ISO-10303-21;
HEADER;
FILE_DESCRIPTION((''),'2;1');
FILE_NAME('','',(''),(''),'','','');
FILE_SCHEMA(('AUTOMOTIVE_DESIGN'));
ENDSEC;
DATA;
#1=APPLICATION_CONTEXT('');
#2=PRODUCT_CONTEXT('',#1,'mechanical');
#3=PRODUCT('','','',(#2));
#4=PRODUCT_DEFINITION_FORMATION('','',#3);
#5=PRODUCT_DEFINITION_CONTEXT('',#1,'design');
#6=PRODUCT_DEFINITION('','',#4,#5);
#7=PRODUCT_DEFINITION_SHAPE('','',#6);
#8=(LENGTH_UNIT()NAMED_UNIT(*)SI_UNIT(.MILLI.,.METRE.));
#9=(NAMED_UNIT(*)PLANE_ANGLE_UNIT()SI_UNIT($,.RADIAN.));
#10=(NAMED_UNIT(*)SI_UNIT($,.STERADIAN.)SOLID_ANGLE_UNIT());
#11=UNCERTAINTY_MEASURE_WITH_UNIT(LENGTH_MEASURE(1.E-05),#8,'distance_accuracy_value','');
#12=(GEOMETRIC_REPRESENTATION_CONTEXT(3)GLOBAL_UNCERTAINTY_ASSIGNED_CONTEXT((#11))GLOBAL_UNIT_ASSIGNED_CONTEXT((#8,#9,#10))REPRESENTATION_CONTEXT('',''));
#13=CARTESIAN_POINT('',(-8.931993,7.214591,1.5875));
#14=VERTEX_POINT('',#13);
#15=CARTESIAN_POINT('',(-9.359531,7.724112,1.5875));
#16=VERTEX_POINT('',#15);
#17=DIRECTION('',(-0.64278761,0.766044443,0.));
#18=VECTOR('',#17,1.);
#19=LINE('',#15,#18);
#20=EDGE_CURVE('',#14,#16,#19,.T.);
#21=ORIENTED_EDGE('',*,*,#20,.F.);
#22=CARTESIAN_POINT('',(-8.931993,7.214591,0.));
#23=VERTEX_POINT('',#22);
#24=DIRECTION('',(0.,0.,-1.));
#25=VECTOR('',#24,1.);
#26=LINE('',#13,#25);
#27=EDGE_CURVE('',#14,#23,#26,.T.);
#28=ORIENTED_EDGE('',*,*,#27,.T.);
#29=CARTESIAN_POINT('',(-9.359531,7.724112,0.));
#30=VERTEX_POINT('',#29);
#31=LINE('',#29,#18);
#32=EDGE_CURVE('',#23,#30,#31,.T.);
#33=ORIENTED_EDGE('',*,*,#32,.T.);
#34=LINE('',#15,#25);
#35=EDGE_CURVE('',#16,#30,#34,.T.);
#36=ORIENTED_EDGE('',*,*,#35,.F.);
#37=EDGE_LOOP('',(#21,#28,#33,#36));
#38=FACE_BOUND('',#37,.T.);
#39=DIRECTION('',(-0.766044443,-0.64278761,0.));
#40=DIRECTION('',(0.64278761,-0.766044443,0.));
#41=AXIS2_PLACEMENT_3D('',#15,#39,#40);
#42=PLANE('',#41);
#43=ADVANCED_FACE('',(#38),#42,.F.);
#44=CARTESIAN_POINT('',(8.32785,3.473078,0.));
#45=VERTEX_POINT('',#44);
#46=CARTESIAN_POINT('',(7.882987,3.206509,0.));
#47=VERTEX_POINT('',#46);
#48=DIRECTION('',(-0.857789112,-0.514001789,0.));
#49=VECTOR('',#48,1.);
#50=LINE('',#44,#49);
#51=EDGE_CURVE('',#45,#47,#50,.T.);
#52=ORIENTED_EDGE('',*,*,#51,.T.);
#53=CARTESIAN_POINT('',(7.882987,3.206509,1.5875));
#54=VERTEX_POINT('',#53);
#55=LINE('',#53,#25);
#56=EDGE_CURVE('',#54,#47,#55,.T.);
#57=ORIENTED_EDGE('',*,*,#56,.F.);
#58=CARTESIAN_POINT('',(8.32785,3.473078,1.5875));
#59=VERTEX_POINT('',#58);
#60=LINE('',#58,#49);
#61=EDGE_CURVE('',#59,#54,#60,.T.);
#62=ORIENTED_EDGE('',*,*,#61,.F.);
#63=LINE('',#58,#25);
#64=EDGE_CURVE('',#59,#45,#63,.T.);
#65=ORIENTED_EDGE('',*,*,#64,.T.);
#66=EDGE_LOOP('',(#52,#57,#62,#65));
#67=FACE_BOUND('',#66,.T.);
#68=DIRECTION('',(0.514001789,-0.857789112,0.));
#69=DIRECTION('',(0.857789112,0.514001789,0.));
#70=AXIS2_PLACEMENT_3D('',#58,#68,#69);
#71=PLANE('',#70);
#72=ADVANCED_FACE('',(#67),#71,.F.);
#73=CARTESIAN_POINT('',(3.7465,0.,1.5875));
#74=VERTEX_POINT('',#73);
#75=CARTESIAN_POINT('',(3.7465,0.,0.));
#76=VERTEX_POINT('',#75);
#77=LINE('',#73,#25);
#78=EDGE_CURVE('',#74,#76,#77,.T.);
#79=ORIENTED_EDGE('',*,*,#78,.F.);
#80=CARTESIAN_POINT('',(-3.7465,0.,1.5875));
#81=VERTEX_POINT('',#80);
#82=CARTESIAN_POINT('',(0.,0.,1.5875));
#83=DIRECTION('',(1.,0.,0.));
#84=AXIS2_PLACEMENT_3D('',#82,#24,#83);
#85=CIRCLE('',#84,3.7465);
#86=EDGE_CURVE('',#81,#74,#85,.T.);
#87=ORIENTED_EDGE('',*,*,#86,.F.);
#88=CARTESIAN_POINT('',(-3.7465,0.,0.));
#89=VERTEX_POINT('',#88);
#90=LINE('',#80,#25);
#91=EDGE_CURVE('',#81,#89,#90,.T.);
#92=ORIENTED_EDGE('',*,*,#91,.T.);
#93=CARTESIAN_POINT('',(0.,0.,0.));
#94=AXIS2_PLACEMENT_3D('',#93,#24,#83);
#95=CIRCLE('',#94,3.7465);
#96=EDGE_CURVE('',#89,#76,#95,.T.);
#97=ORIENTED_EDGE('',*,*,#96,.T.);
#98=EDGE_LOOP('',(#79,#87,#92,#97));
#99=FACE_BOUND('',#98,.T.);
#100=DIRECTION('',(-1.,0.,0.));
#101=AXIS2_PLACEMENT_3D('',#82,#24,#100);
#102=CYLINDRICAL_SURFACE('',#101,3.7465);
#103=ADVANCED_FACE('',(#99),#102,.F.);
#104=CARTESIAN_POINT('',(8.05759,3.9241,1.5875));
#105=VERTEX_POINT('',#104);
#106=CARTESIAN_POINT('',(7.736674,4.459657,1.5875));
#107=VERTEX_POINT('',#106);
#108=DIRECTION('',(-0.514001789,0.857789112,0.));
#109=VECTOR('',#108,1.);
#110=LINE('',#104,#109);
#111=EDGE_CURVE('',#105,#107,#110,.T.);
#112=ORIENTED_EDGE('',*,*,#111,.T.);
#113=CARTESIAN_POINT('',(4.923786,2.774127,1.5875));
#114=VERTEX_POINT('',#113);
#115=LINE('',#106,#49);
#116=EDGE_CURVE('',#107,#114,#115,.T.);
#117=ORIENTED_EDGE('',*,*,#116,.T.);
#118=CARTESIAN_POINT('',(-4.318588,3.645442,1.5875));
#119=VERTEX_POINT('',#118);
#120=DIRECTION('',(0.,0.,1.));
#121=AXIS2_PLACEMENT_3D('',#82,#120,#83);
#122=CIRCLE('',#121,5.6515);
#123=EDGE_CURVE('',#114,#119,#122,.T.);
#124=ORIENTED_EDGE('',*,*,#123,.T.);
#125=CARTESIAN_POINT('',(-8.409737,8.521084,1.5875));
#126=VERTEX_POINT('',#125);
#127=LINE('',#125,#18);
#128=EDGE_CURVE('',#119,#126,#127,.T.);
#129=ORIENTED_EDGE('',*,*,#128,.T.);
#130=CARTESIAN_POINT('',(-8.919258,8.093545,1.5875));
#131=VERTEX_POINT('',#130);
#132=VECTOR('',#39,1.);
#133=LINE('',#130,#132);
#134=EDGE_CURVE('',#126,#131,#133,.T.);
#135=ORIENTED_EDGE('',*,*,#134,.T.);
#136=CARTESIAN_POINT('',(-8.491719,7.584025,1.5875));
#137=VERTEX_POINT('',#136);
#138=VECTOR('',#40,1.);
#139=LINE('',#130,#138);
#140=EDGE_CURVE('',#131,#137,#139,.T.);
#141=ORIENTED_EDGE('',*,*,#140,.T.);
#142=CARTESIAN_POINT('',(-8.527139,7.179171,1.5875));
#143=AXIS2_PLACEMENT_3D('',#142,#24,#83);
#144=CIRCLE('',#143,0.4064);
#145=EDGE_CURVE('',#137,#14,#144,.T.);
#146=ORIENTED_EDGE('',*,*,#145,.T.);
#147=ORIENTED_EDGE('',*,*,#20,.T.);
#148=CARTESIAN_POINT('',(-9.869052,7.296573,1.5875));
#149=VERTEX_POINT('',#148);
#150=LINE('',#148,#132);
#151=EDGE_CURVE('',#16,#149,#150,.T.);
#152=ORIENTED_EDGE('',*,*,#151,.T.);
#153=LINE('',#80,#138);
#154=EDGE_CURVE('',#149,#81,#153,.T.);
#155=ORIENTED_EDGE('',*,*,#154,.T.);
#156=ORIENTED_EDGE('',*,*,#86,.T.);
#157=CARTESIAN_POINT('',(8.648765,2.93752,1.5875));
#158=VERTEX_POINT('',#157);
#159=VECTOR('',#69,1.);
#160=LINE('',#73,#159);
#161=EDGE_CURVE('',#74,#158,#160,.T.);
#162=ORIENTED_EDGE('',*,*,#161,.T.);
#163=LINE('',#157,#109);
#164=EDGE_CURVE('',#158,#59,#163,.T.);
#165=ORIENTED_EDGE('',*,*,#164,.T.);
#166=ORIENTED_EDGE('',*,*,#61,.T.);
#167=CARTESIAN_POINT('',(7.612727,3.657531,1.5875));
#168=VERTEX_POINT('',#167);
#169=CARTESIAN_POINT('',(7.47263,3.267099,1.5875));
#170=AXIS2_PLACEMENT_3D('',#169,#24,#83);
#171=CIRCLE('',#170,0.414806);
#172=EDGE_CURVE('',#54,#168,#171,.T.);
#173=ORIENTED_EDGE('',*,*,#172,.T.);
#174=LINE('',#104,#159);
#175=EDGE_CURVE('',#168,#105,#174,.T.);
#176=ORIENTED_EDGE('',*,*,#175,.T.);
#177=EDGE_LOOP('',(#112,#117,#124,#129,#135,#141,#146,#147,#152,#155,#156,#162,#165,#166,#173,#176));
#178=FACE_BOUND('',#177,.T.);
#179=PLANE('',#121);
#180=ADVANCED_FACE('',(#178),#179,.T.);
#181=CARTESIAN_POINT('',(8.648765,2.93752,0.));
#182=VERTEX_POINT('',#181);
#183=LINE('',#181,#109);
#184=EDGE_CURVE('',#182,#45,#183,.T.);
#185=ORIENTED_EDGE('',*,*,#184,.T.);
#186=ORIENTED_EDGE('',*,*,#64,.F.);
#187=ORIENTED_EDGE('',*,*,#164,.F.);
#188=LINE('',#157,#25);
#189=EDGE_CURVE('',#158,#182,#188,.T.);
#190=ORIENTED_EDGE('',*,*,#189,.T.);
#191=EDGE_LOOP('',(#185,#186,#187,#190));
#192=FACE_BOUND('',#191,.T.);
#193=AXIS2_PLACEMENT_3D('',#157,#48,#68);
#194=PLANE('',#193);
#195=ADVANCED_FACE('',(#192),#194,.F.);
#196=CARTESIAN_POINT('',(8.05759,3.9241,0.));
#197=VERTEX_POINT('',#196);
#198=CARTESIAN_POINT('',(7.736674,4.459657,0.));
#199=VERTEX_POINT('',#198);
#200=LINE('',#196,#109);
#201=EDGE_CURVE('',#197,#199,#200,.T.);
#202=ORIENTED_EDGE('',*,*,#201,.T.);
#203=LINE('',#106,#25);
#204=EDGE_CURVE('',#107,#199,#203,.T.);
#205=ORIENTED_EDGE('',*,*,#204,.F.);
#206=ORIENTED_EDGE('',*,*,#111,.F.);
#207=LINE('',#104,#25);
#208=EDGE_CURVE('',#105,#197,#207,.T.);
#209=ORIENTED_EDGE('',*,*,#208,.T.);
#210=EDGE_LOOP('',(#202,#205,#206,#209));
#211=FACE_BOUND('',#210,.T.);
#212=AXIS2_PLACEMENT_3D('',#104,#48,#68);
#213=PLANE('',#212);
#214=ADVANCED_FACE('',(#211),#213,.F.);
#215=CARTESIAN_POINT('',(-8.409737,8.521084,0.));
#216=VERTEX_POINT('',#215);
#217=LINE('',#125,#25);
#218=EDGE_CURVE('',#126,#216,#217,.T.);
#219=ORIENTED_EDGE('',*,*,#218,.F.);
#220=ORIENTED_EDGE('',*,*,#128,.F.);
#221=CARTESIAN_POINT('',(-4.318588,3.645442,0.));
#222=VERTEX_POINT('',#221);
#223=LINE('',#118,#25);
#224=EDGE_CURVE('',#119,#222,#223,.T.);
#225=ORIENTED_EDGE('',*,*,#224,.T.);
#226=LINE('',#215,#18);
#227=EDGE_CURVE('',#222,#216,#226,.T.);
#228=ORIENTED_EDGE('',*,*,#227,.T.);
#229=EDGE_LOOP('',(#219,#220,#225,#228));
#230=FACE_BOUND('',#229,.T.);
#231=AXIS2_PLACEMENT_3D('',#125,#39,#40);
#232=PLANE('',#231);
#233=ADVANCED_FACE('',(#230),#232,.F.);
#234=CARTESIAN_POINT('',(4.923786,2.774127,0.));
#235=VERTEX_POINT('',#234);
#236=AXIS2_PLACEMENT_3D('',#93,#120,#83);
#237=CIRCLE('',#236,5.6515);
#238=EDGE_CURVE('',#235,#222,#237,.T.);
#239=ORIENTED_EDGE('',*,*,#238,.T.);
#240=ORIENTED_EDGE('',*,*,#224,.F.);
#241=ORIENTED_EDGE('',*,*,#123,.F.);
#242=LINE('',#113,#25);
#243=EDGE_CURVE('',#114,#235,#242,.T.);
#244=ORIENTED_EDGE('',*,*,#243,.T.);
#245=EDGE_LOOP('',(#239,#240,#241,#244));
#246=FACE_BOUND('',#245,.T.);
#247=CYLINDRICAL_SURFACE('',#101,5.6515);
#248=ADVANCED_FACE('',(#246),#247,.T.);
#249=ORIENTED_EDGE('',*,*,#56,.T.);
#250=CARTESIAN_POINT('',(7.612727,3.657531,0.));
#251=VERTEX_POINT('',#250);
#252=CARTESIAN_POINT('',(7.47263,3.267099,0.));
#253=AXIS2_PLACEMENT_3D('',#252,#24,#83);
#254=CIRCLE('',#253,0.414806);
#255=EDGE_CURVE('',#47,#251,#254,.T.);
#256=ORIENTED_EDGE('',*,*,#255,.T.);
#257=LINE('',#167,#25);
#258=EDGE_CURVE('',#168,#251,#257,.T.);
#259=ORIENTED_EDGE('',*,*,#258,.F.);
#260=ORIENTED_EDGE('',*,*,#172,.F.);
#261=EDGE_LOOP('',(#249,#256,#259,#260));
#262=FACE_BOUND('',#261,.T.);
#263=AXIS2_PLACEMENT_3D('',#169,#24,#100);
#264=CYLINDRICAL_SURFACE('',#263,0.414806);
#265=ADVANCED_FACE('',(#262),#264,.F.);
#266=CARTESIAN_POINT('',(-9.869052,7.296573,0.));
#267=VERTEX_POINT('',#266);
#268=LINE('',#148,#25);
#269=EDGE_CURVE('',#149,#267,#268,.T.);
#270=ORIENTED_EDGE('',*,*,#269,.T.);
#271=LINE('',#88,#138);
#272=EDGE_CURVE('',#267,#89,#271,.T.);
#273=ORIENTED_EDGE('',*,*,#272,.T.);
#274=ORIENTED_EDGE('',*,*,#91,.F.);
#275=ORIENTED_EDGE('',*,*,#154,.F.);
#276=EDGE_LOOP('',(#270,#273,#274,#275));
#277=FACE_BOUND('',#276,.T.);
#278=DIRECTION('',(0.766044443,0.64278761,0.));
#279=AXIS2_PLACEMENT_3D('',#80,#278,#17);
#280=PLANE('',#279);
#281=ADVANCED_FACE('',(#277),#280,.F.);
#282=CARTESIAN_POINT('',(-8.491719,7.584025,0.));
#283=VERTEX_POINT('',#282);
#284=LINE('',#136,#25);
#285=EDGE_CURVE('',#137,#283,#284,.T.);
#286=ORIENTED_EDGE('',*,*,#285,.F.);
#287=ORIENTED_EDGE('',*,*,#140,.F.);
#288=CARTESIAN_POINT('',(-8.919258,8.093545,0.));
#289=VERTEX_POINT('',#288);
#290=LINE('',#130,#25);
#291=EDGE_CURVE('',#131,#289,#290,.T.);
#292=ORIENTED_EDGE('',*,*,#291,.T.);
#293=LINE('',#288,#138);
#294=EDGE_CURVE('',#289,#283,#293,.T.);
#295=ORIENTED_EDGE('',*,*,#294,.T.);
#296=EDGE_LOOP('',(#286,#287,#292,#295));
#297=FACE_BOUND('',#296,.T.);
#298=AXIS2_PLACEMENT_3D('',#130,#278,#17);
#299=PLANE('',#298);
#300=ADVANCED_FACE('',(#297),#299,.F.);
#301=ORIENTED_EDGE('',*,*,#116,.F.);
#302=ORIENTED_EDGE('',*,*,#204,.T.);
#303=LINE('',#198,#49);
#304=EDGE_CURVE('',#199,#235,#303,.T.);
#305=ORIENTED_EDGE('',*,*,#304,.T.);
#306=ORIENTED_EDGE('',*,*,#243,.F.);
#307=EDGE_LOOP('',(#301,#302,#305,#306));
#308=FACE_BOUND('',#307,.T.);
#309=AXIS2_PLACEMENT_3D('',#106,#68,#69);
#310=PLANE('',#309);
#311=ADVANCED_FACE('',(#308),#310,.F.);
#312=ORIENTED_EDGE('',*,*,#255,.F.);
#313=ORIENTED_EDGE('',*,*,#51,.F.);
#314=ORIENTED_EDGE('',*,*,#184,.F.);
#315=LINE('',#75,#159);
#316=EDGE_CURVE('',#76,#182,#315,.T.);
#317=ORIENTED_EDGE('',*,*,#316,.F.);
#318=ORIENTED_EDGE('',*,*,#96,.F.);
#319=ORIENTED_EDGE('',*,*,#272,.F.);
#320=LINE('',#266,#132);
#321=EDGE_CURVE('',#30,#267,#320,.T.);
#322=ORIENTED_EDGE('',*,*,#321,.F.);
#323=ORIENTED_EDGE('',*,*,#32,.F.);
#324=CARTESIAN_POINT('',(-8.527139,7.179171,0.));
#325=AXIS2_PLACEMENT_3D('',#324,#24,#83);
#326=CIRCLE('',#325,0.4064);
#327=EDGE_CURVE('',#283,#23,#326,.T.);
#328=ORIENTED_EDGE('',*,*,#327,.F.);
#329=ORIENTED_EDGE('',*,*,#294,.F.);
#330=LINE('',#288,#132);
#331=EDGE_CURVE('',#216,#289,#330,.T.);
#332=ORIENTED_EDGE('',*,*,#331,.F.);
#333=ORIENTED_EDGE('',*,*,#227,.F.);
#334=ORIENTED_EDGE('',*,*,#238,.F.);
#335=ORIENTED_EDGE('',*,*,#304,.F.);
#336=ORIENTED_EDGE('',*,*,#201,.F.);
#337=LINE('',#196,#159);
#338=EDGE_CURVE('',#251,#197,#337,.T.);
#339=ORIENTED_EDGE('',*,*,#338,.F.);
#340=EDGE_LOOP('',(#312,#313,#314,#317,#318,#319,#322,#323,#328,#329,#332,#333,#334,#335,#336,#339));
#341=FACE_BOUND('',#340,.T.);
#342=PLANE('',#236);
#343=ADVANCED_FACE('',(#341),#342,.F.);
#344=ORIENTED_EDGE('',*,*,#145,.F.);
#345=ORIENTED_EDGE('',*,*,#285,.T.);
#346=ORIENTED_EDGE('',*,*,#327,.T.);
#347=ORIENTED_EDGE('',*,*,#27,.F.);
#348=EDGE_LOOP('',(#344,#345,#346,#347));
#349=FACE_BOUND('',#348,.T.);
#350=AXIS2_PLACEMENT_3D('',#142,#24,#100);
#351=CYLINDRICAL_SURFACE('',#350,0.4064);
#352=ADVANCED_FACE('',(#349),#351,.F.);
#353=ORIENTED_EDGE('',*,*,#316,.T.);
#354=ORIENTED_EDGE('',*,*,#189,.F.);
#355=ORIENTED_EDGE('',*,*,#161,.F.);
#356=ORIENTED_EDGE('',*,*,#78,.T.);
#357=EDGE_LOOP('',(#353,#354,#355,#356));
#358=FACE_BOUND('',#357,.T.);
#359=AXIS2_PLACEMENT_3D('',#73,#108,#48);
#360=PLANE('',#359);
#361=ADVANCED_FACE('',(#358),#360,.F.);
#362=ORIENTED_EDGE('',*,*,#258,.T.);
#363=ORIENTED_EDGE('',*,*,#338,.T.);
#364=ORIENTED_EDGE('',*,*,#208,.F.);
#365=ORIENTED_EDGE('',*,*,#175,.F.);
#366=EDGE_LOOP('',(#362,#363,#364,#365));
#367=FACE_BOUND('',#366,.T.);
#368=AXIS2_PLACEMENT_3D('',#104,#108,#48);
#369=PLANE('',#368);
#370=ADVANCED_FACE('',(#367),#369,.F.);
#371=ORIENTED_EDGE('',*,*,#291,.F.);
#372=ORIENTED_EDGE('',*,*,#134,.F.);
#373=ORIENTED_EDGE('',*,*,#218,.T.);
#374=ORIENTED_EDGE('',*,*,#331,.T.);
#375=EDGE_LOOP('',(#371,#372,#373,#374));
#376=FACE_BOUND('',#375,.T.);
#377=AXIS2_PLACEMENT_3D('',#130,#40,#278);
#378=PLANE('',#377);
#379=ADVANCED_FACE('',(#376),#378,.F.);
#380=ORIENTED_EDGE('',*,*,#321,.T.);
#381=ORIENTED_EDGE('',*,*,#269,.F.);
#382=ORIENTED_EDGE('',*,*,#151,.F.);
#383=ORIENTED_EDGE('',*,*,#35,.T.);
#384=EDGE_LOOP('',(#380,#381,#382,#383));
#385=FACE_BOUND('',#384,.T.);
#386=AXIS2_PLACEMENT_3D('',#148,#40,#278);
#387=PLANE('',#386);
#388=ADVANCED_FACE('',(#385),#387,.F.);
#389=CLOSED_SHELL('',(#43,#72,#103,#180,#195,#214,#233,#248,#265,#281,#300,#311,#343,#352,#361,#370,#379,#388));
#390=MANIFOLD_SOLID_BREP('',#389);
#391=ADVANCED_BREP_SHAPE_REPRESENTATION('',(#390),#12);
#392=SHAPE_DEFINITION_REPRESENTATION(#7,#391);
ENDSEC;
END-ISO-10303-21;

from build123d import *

# Parameters (mm, degrees)
BOSS_EXTRUDE1_DEPTH = 1.5875


with BuildPart() as part:
    # Sketch2 → Boss-Extrude1 (new body)
    with BuildSketch(Plane.XY):
        with BuildLine():
            Line((-3.7465, 0), (-9.869051982, 7.296573321))
            Line((-9.869051982, 7.296573321), (-9.35953146, 7.724111803))
            Line((-9.35953146, 7.724111803), (-8.931992977, 7.214591281))
            ThreePointArc((-8.931992977, 7.214591281), (-8.265910567, 6.867850725), (-8.491719358, 7.584024712))
            Line((-8.491719358, 7.584024712), (-8.919257841, 8.093545235))
            Line((-8.919257841, 8.093545235), (-8.409737318, 8.521083717))
            Line((-8.409737318, 8.521083717), (-4.318588224, 3.645442086))
            ThreePointArc((-4.318588224, 3.645442086), (0.530437252, 5.626552103), (4.923786313, 2.774126996))
            Line((4.923786313, 2.774126996), (7.736674427, 4.459657279))
            Line((7.736674427, 4.459657279), (8.057589571, 3.924099773))
            Line((8.057589571, 3.924099773), (7.612727117, 3.657530643))
            ThreePointArc((7.612727117, 3.657530643), (7.116813389, 3.053887496), (7.882987176, 3.206508602))
            Line((7.882987176, 3.206508602), (8.32784963, 3.473077733))
            Line((8.32784963, 3.473077733), (8.648764774, 2.937520227))
            Line((8.648764774, 2.937520227), (3.7465, 0))
            ThreePointArc((3.7465, 0), (0, 3.7465), (-3.7465, 0))
        make_face()
    extrude(amount=BOSS_EXTRUDE1_DEPTH)


solid = part.part
